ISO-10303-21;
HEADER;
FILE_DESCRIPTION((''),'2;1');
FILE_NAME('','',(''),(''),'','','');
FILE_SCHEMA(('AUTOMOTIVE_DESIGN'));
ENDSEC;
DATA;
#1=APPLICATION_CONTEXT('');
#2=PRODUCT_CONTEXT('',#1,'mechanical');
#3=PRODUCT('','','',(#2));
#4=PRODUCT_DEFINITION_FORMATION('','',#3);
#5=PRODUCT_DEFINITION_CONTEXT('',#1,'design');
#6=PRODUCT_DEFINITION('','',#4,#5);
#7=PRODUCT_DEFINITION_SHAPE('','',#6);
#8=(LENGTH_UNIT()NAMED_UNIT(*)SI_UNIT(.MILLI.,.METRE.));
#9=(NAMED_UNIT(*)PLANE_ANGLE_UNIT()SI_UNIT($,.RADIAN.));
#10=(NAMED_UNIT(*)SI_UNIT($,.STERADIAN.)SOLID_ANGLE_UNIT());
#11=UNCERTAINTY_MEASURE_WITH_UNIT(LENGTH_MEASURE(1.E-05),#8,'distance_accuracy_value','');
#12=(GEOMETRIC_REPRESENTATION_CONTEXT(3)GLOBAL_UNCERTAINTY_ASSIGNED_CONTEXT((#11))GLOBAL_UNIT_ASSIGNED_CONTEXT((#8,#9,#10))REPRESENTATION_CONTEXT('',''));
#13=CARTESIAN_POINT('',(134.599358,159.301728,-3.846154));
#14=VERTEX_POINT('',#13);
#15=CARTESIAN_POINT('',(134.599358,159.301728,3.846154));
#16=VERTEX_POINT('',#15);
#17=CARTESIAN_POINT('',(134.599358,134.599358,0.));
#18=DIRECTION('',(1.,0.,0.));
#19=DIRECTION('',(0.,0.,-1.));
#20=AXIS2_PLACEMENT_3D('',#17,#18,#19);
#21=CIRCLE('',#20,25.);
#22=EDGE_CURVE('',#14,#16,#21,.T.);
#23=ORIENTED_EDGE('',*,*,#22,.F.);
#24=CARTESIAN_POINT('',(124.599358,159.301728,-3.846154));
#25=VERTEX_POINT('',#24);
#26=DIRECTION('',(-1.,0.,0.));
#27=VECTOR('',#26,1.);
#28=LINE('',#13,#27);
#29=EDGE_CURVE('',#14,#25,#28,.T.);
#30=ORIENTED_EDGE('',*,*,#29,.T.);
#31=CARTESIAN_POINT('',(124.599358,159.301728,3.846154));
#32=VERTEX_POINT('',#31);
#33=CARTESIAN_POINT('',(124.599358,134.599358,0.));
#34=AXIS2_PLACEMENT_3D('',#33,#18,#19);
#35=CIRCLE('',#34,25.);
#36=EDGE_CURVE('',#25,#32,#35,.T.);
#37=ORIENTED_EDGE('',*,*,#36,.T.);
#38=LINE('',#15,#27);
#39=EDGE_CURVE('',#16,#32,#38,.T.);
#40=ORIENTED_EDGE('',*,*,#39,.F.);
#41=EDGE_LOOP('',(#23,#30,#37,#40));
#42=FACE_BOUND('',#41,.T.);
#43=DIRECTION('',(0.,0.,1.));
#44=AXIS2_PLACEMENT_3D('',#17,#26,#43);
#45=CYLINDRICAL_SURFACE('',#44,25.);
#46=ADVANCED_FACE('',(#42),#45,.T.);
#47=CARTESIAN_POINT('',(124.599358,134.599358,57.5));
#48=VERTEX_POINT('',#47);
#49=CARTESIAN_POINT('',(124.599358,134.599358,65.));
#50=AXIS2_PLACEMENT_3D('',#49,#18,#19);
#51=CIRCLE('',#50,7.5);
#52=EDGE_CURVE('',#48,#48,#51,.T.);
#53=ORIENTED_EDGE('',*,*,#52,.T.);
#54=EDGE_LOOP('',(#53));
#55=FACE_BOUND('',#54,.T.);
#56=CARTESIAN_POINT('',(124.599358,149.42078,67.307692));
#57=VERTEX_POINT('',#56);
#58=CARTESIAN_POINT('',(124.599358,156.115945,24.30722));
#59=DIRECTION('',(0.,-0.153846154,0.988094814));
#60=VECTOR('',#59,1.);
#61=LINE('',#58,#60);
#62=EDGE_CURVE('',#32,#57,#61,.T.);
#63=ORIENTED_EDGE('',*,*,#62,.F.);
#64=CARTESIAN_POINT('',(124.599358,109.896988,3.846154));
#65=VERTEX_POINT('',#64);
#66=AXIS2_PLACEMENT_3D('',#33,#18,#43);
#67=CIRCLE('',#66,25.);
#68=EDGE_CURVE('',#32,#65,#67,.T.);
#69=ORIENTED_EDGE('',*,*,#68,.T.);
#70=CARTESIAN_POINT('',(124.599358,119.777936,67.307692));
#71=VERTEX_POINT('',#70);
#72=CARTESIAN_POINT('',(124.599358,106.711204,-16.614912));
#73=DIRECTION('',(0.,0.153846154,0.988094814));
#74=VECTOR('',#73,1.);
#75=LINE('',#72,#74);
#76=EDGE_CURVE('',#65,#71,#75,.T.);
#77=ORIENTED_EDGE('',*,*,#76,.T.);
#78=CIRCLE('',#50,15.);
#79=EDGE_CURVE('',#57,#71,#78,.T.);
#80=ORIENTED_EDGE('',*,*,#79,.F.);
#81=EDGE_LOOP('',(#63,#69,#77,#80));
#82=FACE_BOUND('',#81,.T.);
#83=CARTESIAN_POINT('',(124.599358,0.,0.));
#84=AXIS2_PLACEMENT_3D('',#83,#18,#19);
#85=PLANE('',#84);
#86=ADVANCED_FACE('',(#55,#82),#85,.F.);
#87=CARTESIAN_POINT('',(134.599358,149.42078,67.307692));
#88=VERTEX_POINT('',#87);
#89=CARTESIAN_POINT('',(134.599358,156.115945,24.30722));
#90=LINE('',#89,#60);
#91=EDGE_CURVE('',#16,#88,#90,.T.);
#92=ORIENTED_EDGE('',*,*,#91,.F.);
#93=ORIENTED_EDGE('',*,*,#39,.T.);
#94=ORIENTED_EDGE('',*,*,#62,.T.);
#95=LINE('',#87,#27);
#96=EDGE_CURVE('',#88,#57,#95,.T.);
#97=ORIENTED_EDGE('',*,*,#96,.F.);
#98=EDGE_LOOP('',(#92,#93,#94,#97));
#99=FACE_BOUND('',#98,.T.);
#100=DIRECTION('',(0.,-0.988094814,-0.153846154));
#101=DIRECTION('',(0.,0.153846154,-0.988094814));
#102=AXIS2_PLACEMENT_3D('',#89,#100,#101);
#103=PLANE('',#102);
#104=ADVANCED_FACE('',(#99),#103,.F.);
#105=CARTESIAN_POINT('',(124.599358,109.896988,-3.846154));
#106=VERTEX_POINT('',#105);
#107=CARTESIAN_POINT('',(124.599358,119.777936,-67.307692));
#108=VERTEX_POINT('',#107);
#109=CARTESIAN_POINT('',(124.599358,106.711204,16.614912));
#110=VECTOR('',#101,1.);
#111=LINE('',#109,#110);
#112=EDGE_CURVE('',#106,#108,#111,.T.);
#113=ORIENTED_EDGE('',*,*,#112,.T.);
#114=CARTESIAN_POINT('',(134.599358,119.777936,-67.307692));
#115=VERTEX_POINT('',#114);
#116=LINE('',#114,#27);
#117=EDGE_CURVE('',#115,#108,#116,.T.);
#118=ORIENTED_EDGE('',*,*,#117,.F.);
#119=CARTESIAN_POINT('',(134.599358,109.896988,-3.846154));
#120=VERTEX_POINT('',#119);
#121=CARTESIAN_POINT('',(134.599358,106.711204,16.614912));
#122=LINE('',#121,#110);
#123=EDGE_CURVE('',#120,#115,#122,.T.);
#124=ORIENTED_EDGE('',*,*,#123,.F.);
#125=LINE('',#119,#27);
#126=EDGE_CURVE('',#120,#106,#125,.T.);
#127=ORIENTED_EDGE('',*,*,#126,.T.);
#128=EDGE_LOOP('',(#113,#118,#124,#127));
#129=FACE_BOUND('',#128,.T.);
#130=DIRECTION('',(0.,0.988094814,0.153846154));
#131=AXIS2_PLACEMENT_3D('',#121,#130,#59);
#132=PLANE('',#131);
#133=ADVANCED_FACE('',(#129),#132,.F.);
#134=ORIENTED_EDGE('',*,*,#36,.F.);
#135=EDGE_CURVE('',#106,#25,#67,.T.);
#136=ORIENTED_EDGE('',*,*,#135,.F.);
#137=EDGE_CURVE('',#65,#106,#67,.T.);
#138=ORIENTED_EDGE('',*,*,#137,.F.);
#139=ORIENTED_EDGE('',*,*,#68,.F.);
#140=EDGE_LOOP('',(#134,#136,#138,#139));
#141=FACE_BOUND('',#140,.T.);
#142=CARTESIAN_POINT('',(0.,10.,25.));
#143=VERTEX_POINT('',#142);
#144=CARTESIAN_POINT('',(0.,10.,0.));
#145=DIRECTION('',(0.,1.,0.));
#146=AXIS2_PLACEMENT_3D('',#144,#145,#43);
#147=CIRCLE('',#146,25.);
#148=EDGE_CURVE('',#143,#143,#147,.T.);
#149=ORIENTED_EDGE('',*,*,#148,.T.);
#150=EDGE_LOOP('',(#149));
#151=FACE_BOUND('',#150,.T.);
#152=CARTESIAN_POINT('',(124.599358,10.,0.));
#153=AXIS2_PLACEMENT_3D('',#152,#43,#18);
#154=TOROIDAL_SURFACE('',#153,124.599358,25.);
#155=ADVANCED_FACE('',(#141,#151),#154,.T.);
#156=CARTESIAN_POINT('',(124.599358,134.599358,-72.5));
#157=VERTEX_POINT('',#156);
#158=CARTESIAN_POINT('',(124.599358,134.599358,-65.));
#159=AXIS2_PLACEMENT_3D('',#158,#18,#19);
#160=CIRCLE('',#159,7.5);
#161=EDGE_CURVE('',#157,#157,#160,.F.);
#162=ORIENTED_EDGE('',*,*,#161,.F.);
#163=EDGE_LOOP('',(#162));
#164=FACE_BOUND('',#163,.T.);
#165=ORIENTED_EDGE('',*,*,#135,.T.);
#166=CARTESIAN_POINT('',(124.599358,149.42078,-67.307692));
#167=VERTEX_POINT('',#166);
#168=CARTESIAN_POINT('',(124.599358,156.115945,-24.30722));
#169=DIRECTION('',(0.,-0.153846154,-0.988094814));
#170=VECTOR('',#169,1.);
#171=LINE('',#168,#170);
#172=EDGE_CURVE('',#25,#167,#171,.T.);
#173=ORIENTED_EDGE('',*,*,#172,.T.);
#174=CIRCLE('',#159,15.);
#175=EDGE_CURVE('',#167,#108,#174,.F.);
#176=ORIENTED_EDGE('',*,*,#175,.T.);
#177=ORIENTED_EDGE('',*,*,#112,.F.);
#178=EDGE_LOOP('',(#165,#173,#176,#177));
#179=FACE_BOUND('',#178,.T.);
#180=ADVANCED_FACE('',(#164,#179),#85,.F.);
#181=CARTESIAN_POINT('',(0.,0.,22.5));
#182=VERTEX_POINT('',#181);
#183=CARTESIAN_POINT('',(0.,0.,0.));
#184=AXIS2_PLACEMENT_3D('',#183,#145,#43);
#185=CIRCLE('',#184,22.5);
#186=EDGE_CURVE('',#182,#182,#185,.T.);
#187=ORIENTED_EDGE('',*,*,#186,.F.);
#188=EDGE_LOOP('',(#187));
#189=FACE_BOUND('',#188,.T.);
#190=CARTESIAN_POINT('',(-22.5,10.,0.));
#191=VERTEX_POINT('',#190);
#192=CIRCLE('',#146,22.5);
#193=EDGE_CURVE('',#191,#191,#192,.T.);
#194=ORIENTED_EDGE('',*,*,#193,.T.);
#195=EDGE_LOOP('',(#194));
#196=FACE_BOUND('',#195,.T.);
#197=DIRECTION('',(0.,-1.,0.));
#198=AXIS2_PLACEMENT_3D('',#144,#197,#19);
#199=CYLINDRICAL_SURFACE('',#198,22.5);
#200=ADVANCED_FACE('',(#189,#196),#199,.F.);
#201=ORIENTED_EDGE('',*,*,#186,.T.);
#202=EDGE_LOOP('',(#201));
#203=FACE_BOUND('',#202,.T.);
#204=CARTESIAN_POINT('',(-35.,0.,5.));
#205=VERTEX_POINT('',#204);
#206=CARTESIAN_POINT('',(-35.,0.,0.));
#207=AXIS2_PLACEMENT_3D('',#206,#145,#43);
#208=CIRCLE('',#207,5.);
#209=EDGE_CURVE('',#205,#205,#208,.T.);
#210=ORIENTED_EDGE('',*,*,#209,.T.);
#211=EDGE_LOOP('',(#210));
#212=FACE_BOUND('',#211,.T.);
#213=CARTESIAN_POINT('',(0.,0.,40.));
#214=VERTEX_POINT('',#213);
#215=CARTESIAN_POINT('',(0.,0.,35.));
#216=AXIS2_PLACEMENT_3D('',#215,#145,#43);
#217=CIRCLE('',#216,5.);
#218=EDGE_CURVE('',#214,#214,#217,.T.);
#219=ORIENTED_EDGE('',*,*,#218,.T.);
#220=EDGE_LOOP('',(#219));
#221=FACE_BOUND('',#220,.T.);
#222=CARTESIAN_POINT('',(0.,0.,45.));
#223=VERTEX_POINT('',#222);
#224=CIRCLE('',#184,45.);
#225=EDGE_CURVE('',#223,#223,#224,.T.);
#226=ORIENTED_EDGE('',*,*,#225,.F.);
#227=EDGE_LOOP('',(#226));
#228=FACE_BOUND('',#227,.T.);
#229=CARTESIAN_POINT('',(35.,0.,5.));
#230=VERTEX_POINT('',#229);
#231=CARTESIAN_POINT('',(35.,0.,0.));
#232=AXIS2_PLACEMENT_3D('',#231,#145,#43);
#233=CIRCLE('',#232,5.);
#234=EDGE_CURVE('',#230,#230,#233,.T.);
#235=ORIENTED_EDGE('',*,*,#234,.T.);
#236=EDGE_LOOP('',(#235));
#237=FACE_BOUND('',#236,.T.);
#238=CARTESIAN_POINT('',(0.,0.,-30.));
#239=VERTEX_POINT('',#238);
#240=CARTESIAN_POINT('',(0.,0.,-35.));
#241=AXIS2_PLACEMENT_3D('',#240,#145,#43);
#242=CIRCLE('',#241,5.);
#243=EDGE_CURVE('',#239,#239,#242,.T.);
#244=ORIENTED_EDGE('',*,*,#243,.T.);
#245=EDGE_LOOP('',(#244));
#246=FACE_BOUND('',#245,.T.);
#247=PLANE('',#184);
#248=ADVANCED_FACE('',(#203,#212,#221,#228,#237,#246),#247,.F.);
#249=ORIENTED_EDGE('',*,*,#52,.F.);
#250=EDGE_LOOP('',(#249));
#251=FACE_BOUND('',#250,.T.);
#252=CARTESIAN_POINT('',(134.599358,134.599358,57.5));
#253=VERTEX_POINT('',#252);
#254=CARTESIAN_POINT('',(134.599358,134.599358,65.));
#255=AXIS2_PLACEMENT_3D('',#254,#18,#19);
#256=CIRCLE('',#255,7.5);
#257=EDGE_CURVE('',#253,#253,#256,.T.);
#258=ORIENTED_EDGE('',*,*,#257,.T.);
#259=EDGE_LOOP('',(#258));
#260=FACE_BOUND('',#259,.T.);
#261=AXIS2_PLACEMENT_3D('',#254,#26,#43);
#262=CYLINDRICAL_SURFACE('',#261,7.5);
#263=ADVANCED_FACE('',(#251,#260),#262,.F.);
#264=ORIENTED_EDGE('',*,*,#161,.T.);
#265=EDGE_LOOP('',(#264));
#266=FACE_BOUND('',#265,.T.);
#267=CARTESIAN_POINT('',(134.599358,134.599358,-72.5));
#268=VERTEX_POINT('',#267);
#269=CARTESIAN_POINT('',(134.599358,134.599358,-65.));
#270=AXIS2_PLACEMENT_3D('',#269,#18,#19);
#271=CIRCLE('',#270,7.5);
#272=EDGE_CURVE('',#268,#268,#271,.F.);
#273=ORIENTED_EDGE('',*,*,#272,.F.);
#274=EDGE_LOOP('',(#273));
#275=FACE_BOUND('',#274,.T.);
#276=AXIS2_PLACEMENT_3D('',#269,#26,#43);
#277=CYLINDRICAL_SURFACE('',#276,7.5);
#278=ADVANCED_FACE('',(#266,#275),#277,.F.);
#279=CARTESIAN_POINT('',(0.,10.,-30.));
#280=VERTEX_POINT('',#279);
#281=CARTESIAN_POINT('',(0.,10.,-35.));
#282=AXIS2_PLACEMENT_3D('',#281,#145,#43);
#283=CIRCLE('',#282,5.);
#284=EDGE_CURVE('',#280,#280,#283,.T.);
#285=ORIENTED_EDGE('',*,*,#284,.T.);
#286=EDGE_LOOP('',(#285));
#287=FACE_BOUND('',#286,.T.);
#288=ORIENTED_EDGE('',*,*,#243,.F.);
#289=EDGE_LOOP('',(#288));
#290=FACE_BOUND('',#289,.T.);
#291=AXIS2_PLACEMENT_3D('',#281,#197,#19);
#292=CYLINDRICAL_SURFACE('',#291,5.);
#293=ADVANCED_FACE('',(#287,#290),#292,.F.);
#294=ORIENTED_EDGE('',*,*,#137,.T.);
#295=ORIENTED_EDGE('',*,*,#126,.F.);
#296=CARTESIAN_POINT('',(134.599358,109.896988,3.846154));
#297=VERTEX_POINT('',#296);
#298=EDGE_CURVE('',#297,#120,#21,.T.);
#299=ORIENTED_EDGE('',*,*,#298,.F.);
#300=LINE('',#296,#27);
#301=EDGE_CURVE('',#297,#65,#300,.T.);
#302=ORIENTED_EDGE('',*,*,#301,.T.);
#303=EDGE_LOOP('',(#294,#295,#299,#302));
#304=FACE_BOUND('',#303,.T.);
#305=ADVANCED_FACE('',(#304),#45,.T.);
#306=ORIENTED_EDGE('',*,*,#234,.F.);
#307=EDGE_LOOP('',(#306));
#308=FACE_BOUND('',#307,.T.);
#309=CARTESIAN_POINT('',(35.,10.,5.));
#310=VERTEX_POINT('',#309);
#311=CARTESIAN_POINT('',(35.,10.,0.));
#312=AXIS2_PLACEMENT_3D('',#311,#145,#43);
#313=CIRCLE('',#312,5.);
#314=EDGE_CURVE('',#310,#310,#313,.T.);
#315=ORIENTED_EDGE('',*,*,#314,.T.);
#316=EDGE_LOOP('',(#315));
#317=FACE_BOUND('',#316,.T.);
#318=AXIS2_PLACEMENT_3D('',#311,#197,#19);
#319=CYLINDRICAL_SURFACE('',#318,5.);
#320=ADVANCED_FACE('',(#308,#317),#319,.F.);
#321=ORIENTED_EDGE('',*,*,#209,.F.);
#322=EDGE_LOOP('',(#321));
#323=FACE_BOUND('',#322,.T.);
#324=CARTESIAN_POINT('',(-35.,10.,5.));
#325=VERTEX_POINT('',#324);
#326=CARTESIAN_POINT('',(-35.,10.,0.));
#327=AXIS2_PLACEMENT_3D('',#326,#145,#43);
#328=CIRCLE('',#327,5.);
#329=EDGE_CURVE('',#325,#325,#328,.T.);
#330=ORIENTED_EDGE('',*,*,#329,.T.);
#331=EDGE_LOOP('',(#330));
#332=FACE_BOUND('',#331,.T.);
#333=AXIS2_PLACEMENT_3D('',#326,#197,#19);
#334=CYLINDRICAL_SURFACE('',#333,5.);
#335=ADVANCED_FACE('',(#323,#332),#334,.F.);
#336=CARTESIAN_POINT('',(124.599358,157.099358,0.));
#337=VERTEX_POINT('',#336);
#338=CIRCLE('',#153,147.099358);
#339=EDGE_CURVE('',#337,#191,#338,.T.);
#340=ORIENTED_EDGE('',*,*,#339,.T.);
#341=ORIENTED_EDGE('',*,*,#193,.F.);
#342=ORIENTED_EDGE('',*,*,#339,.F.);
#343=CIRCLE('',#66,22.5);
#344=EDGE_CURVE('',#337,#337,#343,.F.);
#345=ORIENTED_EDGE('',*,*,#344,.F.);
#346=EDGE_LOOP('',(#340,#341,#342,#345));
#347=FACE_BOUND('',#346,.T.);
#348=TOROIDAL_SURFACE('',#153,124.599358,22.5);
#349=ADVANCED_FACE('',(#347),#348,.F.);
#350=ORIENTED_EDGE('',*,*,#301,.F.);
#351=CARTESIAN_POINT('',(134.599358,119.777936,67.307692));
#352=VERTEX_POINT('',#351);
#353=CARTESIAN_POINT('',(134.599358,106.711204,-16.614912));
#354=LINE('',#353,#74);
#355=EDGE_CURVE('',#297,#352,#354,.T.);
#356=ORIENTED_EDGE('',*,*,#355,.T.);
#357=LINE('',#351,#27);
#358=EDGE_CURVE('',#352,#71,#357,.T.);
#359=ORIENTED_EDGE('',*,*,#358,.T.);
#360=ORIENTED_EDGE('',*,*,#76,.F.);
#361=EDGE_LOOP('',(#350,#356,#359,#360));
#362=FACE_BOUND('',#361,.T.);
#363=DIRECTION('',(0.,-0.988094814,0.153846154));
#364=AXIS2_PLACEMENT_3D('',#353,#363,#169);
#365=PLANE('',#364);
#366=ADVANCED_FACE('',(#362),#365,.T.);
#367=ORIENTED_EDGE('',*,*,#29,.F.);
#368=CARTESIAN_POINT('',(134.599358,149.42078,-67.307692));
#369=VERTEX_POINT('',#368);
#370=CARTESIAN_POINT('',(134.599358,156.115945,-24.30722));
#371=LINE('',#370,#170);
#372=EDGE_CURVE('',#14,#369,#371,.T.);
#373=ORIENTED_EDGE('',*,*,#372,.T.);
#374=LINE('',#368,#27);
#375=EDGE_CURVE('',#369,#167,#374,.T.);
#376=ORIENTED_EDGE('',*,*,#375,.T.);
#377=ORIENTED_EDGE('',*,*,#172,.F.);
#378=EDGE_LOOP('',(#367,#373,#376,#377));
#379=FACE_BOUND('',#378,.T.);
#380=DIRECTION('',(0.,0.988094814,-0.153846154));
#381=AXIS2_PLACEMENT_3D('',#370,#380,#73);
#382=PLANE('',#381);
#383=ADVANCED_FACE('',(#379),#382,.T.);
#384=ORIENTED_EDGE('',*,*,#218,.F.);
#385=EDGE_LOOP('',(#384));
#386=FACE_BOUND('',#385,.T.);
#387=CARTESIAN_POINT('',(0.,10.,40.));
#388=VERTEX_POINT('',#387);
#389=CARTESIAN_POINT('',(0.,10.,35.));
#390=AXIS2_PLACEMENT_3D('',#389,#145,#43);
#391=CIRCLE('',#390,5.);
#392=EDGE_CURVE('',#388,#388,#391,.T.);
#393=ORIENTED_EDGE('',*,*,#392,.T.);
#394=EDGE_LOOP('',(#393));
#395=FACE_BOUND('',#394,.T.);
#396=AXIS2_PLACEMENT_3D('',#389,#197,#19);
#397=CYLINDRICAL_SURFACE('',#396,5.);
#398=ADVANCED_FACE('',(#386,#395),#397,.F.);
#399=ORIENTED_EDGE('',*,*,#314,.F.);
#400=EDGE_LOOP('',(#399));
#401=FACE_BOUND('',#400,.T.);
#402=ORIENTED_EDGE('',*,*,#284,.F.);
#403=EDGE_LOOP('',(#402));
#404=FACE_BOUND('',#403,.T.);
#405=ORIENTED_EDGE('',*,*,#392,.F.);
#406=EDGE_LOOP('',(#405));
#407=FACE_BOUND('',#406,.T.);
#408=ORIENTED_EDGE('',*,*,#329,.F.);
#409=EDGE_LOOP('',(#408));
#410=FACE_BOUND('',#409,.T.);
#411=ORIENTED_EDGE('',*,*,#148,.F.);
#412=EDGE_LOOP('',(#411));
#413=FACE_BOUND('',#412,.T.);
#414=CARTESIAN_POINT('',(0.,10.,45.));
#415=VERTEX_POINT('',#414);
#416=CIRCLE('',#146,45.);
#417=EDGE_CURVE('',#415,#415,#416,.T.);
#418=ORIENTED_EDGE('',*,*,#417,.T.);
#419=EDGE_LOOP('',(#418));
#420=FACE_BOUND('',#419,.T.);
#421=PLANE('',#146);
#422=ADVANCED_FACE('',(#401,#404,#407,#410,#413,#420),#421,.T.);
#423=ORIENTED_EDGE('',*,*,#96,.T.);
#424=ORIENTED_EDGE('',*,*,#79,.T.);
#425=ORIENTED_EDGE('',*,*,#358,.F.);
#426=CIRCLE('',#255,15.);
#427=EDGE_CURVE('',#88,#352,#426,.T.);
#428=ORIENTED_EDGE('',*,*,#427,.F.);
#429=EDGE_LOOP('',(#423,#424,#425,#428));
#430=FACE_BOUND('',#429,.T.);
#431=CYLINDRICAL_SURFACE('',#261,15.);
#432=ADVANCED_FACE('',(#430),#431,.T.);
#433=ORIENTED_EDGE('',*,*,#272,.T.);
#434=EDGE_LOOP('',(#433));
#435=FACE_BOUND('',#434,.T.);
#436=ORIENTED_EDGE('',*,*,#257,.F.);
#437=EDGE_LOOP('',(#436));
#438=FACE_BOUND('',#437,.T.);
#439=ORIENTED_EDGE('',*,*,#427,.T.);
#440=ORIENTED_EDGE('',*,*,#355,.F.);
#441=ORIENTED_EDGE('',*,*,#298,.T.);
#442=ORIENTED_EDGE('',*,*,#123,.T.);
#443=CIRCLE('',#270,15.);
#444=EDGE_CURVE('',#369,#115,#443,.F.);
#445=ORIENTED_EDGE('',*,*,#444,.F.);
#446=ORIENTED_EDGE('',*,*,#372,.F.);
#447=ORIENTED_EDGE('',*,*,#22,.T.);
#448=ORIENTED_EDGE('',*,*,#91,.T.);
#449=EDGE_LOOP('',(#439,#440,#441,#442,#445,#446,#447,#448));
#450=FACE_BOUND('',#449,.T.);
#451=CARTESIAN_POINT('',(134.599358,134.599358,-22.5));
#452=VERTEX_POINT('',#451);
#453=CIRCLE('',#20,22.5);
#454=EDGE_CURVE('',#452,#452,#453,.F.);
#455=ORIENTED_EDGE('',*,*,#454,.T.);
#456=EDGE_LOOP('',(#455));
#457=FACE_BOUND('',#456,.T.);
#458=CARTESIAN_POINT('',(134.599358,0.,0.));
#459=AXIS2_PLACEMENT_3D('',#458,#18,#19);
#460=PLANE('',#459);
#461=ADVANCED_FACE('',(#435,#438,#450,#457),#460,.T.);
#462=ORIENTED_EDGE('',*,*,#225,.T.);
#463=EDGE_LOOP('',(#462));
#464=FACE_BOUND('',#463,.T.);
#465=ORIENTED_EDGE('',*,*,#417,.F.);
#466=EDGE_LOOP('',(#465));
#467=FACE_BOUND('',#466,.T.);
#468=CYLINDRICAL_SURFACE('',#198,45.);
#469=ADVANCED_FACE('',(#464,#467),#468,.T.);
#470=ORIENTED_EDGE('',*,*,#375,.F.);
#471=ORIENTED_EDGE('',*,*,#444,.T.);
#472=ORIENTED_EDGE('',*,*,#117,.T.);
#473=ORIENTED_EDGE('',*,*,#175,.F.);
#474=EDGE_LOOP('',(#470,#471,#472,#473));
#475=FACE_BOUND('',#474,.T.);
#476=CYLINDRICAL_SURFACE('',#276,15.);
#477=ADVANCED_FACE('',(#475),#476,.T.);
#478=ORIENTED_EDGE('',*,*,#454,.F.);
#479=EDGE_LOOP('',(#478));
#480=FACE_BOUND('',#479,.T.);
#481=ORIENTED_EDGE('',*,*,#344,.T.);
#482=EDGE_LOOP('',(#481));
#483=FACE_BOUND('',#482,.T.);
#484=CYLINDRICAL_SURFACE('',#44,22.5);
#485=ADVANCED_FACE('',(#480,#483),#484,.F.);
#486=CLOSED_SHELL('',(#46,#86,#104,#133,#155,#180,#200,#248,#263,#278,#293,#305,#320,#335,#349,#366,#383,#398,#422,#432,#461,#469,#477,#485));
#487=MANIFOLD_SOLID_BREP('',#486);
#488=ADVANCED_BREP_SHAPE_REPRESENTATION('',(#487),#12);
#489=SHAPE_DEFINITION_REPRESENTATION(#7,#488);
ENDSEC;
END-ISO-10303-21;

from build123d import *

# Parameters (mm, degrees)
SKETCH1_R           = 45
SKETCH1_R_2         = 5
SKETCH1_R_3         = 22.5
BOSS_EXTRUDE1_DEPTH = 10
SKETCH3_R           = 25
SKETCH3_R_2         = 22.5
SKETCH4_R           = 7.5
SKETCH4_R_2         = 25
SKETCH4_R_3         = 22.5
BOSS_EXTRUDE6_DEPTH = 10


with BuildPart() as part:
    # Sketch1 → Boss-Extrude1 (new body)
    with BuildSketch(Plane(origin=(0, 0, 0), x_dir=(1, 0, 0), z_dir=(0, 1, 0))):
        with Locations(Location((0, 0, 0), (0, 0, 270))):
            Circle(SKETCH1_R)
        with Locations(Location((0, 35, 0), (0, 0, 270))):
            Circle(SKETCH1_R_2, mode=Mode.SUBTRACT)
        with Locations(Location((35, 0, 0), (0, 0, 270))):
            Circle(SKETCH1_R_2, mode=Mode.SUBTRACT)
        with Locations(Location((0, -35, 0), (0, 0, 270))):
            Circle(SKETCH1_R_2, mode=Mode.SUBTRACT)
        with Locations(Location((-35, 0, 0), (0, 0, 270))):
            Circle(SKETCH1_R_2, mode=Mode.SUBTRACT)
        with Locations(Location((0, 0, 0), (0, 0, 270))):
            Circle(SKETCH1_R_3, mode=Mode.SUBTRACT)
    extrude(amount=BOSS_EXTRUDE1_DEPTH)

    # Sweep1: sweep along a path in Sketch2
    with BuildLine(Plane.XY) as sweep1_path:
        ThreePointArc((124.599357944, 135), (36.211010295, 98.388347648), (-0.400642056, 10))
    # Sketch3 → Sweep1 (sweep)
    with BuildSketch(Plane(origin=(0, 10, 0), x_dir=(1, 0, 0), z_dir=(0, 1, 0))):
        Circle(SKETCH3_R)
        Circle(SKETCH3_R_2, mode=Mode.SUBTRACT)
    sweep(path=sweep1_path.line)

    # Sketch4 → Boss-Extrude6 (add)
    # profile 1 of 3: a face of its own
    with BuildSketch(Plane(origin=(124.599357944, 0, 0), x_dir=(0, 0, -1), z_dir=(1, 0, 0))):
        with BuildLine():
            ThreePointArc((-3.846153846, 109.8969876), (-25, 134.599357944), (-3.846153846, 159.301728287))
            Line((-3.846153846, 159.301728287), (-67.307692308, 149.42078015))
            ThreePointArc((-67.307692308, 149.42078015), (-80, 134.599357944), (-67.307692308, 119.777935738))
            Line((-67.307692308, 119.777935738), (-3.846153846, 109.8969876))
        make_face()
        with Locations((-65, 134.599357944)):
            Circle(SKETCH4_R, mode=Mode.SUBTRACT)
    # profile 2 of 3: a face of its own
    with BuildSketch(Plane(origin=(124.599357944, 0, 0), x_dir=(0, 0, -1), z_dir=(1, 0, 0))):
        with BuildLine():
            Line((67.307692308, 149.42078015), (3.846153846, 159.301728287))
            ThreePointArc((3.846153846, 159.301728287), (18.988863133, 150.860448833), (25, 134.599357944))
            ThreePointArc((25, 134.599357944), (18.988863133, 118.338267054), (3.846153846, 109.8969876))
            Line((3.846153846, 109.8969876), (67.307692308, 119.777935738))
            ThreePointArc((67.307692308, 119.777935738), (80, 134.599357944), (67.307692308, 149.42078015))
        make_face()
        with Locations((65, 134.599357944)):
            Circle(SKETCH4_R, mode=Mode.SUBTRACT)
    # profile 3 of 3: a face of its own
    with BuildSketch(Plane(origin=(124.599357944, 0, 0), x_dir=(0, 0, -1), z_dir=(1, 0, 0))):
        with Locations((0, 134.599357944)):
            Circle(SKETCH4_R_2)
        with Locations(Location((0, 134.599357944, 0), (0, 0, 90))):
            Circle(SKETCH4_R_3, mode=Mode.SUBTRACT)
    extrude(amount=BOSS_EXTRUDE6_DEPTH)


solid = part.part
